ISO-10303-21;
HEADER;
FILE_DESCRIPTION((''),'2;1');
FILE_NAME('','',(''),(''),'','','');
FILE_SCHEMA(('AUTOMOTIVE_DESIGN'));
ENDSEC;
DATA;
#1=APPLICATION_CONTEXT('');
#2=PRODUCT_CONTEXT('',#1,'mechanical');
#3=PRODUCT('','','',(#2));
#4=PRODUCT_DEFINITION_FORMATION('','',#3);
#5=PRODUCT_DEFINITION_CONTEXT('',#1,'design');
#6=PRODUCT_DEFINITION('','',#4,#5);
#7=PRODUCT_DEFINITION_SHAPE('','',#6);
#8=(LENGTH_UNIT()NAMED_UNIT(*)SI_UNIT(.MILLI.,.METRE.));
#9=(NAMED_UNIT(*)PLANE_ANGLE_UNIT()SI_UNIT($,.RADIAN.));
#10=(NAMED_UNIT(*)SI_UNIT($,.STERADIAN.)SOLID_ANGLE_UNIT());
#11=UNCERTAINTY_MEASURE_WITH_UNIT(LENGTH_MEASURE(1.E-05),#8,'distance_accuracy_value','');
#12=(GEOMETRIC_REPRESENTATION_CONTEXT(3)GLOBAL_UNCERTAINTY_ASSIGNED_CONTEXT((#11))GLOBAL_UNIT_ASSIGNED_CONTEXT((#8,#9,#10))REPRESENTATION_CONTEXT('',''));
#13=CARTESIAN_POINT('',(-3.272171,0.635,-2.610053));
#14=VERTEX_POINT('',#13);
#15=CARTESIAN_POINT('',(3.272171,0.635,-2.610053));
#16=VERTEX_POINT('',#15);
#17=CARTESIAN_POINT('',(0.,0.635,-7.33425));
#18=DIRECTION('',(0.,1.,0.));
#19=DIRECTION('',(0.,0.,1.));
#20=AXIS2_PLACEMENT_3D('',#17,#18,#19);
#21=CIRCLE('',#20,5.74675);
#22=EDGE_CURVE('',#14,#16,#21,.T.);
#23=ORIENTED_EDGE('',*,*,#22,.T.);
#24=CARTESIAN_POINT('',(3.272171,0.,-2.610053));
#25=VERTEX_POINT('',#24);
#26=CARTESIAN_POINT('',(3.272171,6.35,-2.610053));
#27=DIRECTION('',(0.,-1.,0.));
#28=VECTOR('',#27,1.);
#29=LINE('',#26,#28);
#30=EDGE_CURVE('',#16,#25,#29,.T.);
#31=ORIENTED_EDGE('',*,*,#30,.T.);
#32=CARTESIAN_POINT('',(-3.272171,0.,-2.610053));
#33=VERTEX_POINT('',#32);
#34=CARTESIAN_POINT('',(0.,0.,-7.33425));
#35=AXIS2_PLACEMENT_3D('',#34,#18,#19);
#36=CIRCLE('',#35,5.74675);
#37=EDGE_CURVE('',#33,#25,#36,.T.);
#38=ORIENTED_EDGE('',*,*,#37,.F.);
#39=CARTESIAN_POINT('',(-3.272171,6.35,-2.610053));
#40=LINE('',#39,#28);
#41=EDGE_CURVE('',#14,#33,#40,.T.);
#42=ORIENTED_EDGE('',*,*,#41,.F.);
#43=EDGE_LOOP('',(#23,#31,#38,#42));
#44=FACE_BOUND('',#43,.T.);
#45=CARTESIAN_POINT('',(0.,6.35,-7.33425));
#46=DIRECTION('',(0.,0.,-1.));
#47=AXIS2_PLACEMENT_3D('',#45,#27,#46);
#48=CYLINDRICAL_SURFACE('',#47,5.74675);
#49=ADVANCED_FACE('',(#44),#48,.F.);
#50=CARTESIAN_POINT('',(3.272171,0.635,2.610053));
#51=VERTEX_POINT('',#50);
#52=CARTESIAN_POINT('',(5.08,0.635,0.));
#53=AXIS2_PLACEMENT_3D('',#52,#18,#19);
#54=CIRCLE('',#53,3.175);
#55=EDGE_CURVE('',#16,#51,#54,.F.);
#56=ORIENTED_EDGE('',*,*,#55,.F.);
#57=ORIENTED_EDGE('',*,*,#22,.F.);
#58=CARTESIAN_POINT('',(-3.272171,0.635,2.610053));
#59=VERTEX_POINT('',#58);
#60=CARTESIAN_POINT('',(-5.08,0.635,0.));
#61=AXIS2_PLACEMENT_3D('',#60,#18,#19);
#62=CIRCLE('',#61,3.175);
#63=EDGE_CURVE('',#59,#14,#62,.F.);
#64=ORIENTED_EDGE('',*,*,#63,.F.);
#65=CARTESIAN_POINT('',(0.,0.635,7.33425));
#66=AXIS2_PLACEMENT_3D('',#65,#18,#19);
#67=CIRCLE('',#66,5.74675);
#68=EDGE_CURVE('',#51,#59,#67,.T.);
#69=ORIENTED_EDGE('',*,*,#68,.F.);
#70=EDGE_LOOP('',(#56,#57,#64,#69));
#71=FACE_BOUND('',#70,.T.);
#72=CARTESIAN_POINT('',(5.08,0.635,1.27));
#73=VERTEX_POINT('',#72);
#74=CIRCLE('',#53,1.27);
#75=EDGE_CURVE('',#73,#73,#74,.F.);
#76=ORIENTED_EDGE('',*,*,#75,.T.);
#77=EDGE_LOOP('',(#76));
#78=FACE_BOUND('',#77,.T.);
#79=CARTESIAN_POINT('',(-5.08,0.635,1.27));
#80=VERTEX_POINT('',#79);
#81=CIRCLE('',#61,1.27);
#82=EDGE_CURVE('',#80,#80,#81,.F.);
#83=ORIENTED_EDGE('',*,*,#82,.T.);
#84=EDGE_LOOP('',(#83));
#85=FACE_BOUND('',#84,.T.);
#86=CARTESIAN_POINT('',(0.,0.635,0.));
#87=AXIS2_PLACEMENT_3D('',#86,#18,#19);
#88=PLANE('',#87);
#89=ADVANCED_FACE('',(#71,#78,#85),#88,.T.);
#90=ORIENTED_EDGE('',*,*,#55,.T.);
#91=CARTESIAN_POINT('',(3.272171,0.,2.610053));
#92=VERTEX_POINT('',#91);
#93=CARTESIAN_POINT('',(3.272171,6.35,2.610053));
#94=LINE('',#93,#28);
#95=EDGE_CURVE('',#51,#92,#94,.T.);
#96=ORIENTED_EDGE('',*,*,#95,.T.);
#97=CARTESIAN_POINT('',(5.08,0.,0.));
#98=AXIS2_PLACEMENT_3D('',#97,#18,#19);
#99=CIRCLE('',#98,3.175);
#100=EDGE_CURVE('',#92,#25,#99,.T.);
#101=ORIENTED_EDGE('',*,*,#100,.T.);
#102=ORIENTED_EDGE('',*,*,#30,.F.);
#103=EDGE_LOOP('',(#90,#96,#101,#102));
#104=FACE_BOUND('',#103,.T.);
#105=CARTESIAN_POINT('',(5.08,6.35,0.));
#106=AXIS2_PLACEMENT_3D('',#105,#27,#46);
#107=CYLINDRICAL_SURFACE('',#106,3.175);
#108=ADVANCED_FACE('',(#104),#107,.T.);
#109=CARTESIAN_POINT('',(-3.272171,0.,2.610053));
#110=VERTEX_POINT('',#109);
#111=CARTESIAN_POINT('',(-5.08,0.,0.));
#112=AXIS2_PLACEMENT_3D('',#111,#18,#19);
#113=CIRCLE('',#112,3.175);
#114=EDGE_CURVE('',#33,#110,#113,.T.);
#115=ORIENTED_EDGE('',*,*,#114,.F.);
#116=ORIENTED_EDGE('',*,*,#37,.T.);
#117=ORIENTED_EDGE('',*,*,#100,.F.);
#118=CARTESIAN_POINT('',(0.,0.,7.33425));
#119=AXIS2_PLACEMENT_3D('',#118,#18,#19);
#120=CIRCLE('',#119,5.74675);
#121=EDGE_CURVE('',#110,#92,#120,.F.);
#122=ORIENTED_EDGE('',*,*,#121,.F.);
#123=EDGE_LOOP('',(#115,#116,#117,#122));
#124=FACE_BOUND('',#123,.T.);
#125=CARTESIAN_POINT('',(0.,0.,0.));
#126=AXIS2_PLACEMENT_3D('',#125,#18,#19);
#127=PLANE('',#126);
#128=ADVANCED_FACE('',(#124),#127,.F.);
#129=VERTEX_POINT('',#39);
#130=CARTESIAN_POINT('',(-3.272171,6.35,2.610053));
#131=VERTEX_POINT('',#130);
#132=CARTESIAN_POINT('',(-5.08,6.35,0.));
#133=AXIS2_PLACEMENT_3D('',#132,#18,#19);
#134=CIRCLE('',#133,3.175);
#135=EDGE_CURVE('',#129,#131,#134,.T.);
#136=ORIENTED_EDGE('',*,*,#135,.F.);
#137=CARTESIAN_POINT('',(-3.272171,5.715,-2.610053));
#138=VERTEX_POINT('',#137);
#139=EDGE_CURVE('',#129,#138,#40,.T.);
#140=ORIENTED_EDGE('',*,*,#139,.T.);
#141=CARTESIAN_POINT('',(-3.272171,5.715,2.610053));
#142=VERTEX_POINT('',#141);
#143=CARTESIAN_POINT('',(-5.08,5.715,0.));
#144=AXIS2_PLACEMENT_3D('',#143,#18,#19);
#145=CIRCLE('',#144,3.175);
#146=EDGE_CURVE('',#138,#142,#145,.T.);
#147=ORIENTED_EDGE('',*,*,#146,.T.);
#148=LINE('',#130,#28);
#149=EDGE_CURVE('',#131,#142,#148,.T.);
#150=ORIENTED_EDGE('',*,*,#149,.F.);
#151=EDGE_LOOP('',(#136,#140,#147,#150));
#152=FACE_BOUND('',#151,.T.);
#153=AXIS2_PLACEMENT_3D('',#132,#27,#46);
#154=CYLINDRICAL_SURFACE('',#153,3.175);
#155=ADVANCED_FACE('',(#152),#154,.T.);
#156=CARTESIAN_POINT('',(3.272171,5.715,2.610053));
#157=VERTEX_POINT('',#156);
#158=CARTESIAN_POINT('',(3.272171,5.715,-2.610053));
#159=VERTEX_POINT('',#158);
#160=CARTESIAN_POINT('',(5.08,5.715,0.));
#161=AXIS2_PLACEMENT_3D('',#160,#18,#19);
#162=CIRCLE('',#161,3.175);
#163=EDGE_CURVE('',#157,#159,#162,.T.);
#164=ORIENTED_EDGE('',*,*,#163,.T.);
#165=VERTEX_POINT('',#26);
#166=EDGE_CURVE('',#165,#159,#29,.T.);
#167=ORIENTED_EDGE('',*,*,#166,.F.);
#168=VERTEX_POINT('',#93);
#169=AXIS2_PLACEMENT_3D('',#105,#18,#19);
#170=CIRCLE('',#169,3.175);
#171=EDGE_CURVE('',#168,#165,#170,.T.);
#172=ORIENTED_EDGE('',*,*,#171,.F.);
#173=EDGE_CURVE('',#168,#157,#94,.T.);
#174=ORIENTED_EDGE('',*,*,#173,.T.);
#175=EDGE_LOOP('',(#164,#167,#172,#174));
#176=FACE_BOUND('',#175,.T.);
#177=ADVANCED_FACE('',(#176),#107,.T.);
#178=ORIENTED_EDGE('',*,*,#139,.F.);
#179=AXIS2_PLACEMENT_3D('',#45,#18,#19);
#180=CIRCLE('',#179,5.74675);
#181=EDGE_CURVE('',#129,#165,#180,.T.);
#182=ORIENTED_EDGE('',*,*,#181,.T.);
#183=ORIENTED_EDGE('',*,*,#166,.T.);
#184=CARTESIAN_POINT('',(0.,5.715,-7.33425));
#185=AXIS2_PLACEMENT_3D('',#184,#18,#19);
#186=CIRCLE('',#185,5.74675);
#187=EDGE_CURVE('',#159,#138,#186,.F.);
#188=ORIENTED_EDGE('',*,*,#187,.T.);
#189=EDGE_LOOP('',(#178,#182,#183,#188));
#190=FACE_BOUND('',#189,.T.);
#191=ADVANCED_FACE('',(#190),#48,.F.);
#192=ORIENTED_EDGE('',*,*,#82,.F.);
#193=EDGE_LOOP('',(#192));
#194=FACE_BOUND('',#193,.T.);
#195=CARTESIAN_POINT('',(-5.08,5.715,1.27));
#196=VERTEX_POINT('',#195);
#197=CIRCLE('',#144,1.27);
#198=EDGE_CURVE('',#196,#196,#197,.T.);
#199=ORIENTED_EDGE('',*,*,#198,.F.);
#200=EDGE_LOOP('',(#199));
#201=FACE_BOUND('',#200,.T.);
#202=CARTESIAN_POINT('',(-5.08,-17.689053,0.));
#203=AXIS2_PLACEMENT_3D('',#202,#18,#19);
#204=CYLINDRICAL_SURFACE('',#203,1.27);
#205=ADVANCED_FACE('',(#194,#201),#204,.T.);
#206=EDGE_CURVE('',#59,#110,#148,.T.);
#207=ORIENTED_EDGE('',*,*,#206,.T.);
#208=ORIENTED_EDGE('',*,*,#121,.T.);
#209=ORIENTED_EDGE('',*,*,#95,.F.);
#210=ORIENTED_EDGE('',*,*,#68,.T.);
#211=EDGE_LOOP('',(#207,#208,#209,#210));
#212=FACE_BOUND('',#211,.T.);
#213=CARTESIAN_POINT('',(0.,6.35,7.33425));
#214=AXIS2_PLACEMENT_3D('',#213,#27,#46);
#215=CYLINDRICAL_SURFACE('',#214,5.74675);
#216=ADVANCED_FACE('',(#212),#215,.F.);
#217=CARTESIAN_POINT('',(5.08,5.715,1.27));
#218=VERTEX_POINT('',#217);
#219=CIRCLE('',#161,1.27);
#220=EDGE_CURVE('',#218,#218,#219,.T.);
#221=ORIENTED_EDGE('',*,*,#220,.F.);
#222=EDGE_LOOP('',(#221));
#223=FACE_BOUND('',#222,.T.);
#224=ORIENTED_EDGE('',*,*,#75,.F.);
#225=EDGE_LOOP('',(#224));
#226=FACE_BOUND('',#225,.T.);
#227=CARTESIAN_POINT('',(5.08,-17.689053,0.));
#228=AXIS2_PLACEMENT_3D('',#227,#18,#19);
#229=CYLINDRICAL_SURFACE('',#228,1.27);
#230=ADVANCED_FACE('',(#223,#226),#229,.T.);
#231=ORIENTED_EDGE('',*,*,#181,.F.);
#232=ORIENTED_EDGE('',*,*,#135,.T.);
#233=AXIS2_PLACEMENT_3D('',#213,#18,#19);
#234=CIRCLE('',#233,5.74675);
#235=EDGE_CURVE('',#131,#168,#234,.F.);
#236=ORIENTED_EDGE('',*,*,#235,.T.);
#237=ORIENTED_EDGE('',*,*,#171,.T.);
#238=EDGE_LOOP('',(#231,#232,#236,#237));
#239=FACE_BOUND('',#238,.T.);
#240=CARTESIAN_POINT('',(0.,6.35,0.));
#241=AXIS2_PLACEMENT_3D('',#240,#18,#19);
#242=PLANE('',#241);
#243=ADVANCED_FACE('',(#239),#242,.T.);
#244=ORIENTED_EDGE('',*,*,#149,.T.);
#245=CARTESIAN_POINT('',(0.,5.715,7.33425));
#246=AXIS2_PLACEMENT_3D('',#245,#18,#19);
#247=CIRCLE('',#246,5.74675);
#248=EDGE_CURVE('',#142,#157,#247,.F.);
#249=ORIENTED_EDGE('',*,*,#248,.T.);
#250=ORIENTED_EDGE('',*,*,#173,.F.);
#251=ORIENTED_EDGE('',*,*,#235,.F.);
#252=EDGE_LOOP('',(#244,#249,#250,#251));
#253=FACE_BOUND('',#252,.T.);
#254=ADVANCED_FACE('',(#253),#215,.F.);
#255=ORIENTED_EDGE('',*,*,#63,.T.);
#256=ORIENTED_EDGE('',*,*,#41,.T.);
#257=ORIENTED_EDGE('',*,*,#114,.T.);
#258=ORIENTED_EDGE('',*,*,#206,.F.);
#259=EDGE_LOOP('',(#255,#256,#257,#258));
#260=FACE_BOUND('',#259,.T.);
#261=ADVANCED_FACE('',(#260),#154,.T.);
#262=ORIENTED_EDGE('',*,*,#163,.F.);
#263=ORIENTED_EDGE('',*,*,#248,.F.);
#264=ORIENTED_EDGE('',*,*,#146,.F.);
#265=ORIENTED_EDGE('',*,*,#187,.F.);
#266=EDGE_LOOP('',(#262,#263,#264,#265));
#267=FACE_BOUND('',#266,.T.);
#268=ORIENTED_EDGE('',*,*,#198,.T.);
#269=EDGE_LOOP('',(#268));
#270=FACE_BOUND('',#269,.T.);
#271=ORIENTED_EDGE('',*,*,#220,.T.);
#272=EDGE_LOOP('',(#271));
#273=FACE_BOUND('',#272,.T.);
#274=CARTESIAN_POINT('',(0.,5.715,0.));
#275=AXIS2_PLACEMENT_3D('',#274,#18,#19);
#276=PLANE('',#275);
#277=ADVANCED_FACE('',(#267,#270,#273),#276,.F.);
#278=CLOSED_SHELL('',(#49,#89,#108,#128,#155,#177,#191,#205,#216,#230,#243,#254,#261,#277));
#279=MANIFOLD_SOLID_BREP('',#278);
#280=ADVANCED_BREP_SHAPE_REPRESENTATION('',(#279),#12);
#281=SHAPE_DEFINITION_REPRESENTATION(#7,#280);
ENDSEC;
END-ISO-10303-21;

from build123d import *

# Parameters (mm, degrees)
BOSS_EXTRUDE1_DEPTH = 6.35
CUT_EXTRUDE1_START  = -5.715
SKETCH3_R           = 1.27
CUT_EXTRUDE1_DEPTH  = 5.08


with BuildPart() as part:
    # Sketch1 → Boss-Extrude1 (new body)
    with BuildSketch(Plane(origin=(0, 0, 0), x_dir=(1, 0, 0), z_dir=(0, 1, 0))):
        with BuildLine():
            ThreePointArc((-3.272170819, -2.610053381), (-2.267484875, -1.473222208), (-1.905, 0))
            ThreePointArc((-1.905, 0), (-2.267484875, 1.473222208), (-3.272170819, 2.610053381))
            ThreePointArc((-3.272170819, 2.610053381), (-8.255, 0), (-3.272170819, -2.610053381))
        make_face()
        with BuildLine():
            ThreePointArc((-3.272170819, 2.610053381), (-2.267484875, 1.473222208), (-1.905, 0))
            ThreePointArc((-1.905, 0), (-2.267484875, -1.473222208), (-3.272170819, -2.610053381))
            ThreePointArc((-3.272170819, -2.610053381), (0, -1.5875), (3.272170819, -2.610053381))
            ThreePointArc((3.272170819, -2.610053381), (1.905, 0), (3.272170819, 2.610053381))
            ThreePointArc((3.272170819, 2.610053381), (0, 1.5875), (-3.272170819, 2.610053381))
        make_face()
        with BuildLine():
            ThreePointArc((8.255, 0), (6.553222208, 2.812515125), (3.272170819, 2.610053381))
            ThreePointArc((3.272170819, 2.610053381), (1.905, 0), (3.272170819, -2.610053381))
            ThreePointArc((3.272170819, -2.610053381), (6.553222208, -2.812515125), (8.255, 0))
        make_face()
    extrude(amount=BOSS_EXTRUDE1_DEPTH)

    # Sketch3 → Cut-Extrude1 (cut)
    with BuildSketch(Plane(origin=(0, 6.35, 0), x_dir=(1, 0, 0), z_dir=(0, 1, 0)).offset(CUT_EXTRUDE1_START)):
        with BuildLine():
            ThreePointArc((3.272170819, 2.610053381), (0, 1.5875), (-3.272170819, 2.610053381))
            ThreePointArc((-3.272170819, 2.610053381), (-8.255, 0), (-3.272170819, -2.610053381))
            ThreePointArc((-3.272170819, -2.610053381), (0, -1.5875), (3.272170819, -2.610053381))
            ThreePointArc((3.272170819, -2.610053381), (8.255, 0), (3.272170819, 2.610053381))
        make_face()
        with Locations(Location((5.08, 0, 0), (0, 0, 270))):
            Circle(SKETCH3_R, mode=Mode.SUBTRACT)
        with Locations(Location((-5.08, 0, 0), (0, 0, 270))):
            Circle(SKETCH3_R, mode=Mode.SUBTRACT)
    extrude(amount=CUT_EXTRUDE1_DEPTH, mode=Mode.SUBTRACT)


solid = part.part
